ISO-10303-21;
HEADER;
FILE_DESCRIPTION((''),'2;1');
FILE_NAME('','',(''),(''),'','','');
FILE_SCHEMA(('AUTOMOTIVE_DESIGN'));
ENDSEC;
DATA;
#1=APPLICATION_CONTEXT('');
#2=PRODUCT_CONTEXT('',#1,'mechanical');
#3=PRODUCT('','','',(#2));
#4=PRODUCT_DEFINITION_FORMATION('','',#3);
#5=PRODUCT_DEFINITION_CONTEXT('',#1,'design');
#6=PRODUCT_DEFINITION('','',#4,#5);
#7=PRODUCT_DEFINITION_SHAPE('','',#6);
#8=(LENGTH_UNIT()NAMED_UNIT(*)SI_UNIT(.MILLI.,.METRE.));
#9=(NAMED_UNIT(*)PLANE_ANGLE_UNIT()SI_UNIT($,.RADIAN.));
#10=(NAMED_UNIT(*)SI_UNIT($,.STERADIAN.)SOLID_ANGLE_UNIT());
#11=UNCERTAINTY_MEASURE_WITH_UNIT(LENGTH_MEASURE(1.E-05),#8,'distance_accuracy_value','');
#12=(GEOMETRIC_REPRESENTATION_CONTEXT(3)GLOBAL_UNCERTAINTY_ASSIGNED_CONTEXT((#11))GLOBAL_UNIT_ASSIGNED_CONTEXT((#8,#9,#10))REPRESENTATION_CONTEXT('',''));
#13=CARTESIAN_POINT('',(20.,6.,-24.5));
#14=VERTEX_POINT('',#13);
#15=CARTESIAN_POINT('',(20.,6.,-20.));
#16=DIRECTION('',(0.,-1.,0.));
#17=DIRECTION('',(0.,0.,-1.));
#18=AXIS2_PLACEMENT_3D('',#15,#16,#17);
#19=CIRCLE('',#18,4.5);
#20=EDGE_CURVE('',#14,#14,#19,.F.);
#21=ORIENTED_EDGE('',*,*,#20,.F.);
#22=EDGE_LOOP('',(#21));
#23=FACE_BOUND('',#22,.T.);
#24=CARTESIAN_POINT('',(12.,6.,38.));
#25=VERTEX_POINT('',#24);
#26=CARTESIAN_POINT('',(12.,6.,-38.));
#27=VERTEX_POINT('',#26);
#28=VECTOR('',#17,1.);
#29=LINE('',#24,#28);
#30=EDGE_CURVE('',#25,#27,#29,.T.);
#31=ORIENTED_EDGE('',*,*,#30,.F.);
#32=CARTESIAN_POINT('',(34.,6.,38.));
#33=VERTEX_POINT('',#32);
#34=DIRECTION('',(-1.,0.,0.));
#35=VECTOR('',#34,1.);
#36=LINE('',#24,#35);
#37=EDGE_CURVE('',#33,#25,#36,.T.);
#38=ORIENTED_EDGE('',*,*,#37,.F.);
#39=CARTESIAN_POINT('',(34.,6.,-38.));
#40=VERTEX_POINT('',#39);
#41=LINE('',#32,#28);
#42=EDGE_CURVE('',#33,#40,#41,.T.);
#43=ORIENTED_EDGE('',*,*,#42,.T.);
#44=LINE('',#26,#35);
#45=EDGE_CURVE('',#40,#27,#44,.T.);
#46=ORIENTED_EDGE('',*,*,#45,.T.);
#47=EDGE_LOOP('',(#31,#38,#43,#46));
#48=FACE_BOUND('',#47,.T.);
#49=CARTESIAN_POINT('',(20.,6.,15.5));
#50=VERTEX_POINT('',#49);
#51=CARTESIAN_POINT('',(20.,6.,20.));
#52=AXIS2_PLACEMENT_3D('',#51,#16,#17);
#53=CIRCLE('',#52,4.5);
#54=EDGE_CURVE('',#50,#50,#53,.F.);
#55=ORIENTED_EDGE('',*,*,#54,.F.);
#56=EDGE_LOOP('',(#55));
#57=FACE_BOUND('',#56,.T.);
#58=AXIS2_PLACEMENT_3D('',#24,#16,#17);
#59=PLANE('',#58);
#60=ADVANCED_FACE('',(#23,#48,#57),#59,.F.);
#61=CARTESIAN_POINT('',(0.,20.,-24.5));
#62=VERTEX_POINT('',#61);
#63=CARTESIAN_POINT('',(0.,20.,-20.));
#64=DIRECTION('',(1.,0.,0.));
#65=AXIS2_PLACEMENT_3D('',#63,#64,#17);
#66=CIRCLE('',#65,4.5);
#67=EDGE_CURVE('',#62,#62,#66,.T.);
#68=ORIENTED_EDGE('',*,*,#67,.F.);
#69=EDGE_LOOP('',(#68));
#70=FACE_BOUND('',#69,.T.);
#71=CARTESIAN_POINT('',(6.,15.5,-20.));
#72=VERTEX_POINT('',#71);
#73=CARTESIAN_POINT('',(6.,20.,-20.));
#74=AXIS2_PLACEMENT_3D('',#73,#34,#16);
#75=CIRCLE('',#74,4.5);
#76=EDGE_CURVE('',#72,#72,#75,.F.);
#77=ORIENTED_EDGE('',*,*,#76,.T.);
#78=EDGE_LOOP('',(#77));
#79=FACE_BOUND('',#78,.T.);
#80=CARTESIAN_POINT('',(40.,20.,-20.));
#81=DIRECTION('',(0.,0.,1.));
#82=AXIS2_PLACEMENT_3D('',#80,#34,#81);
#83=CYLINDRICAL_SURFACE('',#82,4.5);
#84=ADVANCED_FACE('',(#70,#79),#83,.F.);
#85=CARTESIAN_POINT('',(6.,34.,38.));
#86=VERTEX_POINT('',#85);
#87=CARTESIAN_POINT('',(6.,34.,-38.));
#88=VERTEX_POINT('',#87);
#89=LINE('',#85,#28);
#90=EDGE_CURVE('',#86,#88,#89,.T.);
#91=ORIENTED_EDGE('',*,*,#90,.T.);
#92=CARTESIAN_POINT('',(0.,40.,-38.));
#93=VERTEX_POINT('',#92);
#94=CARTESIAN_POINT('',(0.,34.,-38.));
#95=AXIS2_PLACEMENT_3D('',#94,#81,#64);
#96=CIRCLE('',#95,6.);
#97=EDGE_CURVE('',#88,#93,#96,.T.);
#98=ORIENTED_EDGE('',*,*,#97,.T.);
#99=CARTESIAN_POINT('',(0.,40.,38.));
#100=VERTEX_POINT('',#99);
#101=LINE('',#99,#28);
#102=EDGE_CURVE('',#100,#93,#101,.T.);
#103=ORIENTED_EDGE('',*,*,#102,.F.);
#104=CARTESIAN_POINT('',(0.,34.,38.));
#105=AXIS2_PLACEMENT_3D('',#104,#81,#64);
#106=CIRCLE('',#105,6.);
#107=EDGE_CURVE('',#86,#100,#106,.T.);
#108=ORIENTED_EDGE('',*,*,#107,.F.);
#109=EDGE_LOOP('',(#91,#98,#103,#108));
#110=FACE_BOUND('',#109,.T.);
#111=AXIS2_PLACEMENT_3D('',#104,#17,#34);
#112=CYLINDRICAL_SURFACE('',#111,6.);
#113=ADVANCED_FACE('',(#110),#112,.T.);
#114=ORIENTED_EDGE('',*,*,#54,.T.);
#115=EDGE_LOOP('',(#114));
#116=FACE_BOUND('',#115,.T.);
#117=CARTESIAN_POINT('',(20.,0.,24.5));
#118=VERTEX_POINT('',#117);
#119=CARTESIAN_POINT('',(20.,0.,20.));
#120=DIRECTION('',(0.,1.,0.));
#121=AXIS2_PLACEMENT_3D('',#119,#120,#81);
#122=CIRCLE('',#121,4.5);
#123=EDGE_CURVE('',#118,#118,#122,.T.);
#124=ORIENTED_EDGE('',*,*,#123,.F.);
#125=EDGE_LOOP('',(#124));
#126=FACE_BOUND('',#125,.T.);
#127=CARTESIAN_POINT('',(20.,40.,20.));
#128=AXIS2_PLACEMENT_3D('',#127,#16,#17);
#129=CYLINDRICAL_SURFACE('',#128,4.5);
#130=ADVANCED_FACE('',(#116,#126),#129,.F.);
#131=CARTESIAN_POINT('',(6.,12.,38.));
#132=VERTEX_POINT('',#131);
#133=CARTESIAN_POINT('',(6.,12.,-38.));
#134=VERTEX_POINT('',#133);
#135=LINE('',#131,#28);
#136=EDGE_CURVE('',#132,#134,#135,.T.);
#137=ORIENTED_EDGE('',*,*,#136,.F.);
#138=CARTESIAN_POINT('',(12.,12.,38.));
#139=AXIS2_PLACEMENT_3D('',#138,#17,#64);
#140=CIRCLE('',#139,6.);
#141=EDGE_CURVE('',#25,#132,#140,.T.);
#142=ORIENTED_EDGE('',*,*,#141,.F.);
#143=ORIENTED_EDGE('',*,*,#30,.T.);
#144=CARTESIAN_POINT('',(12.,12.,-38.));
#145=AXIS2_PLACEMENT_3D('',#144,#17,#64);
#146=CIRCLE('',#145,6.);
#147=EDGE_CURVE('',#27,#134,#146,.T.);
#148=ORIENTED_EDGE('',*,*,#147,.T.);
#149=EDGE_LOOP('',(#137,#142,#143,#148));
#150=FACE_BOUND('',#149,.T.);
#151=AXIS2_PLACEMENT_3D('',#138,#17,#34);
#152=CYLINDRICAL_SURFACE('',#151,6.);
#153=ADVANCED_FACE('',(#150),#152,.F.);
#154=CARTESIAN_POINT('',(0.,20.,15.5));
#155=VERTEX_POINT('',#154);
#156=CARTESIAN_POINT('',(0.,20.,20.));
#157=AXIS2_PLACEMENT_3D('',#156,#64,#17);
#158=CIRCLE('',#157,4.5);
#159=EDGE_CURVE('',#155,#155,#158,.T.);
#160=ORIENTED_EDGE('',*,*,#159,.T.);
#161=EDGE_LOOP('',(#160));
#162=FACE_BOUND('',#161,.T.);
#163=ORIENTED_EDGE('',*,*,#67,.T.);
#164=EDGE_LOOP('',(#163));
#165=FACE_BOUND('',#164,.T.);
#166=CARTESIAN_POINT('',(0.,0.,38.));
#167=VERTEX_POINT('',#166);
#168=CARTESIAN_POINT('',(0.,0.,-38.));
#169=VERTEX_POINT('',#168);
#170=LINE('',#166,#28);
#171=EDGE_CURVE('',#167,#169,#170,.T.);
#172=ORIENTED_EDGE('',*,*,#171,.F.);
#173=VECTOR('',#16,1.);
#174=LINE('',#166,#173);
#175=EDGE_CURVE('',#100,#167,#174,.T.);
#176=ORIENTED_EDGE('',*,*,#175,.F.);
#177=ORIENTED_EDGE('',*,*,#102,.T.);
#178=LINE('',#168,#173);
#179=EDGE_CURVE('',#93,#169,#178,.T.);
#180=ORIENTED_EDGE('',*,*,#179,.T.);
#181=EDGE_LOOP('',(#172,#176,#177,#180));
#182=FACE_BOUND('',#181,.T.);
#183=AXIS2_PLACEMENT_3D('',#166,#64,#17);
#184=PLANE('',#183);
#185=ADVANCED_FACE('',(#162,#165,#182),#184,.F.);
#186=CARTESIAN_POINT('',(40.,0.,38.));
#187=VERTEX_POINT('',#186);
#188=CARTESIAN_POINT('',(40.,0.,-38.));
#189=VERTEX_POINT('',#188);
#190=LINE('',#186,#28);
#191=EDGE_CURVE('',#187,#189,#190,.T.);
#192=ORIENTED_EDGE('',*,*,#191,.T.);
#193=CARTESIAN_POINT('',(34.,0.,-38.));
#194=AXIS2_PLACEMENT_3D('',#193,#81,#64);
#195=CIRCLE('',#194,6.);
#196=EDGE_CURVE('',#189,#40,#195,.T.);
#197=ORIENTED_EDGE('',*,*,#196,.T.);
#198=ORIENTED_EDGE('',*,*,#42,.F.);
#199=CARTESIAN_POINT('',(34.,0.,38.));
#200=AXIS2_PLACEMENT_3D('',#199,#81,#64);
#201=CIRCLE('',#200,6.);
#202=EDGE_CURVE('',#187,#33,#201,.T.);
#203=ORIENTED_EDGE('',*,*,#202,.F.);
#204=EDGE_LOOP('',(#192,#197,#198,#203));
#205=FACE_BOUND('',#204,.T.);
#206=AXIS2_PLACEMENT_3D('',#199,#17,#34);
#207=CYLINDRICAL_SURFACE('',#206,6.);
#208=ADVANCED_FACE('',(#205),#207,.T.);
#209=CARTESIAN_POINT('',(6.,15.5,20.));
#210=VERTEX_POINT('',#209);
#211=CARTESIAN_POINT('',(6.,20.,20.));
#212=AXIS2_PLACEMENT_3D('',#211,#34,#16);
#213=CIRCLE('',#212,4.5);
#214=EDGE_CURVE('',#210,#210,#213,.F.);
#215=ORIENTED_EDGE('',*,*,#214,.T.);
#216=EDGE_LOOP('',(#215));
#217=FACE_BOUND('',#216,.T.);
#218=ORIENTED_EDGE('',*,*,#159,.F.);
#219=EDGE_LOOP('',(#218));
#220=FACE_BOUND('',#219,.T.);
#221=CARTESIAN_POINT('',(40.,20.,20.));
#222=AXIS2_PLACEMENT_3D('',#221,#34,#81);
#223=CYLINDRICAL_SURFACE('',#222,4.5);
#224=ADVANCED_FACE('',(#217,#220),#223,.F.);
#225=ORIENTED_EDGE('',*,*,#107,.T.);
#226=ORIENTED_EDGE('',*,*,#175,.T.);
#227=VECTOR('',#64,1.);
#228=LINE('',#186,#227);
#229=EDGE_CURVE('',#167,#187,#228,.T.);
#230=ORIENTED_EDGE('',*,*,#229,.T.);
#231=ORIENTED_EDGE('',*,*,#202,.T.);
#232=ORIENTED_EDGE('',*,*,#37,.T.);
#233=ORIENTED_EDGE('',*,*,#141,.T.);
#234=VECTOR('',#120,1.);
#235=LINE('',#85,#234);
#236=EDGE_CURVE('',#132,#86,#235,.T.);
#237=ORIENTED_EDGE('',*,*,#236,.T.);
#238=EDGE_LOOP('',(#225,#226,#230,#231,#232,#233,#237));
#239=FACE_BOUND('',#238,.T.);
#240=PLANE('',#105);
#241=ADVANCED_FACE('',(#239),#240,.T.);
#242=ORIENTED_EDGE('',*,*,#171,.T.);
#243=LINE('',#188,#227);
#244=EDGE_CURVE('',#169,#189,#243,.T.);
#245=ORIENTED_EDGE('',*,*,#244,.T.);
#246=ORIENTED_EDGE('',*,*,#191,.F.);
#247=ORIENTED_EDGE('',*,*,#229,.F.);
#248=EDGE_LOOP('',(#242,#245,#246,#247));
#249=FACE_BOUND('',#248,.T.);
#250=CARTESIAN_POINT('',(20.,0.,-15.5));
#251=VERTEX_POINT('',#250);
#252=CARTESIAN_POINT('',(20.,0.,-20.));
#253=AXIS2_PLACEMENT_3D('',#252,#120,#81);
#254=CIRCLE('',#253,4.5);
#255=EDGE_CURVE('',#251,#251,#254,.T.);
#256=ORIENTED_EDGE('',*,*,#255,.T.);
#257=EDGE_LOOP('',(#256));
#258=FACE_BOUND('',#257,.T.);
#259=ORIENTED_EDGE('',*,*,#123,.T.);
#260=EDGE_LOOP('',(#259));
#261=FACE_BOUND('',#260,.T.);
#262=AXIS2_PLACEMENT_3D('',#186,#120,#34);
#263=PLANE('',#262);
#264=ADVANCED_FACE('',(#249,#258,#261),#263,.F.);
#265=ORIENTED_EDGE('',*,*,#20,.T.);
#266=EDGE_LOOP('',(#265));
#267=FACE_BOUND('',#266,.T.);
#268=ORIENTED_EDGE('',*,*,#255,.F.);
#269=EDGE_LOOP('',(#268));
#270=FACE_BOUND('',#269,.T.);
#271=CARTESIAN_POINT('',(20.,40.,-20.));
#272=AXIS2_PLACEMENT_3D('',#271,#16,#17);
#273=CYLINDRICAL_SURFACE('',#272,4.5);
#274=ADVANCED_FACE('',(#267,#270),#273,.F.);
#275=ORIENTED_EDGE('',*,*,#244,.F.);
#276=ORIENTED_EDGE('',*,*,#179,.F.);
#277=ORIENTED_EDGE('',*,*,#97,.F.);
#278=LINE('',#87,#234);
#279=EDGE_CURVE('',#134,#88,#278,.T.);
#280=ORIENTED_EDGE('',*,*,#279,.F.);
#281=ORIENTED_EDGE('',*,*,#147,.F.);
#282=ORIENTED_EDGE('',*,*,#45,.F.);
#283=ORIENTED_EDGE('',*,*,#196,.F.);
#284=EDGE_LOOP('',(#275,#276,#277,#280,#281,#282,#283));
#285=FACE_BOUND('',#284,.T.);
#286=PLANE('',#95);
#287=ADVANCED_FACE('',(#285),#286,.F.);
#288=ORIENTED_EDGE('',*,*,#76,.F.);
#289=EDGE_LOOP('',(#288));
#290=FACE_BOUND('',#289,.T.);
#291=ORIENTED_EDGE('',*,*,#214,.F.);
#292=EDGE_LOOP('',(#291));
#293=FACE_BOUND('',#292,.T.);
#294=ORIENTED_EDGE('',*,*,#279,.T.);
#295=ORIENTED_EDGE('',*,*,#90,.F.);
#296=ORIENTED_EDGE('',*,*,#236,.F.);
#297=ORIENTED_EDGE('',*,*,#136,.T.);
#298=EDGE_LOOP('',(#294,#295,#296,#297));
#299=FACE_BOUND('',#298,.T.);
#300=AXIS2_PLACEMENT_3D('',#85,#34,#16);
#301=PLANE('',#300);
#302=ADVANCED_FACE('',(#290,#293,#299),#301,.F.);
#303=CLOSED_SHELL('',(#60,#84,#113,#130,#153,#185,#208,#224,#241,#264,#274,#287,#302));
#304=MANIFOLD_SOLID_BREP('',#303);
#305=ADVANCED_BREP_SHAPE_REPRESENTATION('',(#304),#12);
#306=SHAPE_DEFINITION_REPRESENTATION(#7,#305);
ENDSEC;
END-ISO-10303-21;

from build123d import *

# Parameters (mm, degrees)
BOSS_EXTRUDE1_DEPTH = 38
SKETCH2_R           = 4.5
CUT_EXTRUDE1_DEPTH  = 41
SKETCH3_R           = 4.5
CUT_EXTRUDE2_DEPTH  = 41


with BuildPart() as part:
    # Sketch1 → Boss-Extrude1 (new body, symmetric)
    with BuildSketch(Plane.XY):
        with BuildLine():
            Line((0, 0), (0, 40))
            ThreePointArc((0, 40), (4.242640687, 38.242640687), (6, 34))
            Line((6, 34), (6, 12))
            ThreePointArc((6, 12), (7.757359313, 7.757359313), (12, 6))
            Line((12, 6), (34, 6))
            ThreePointArc((34, 6), (38.242640687, 4.242640687), (40, 0))
            Line((40, 0), (0, 0))
        make_face()
    extrude(amount=BOSS_EXTRUDE1_DEPTH, both=True)

    # Sketch2 → Cut-Extrude1 (cut, through all)
    with BuildSketch(Plane(origin=(0, 0, 0), x_dir=(1, 0, 0), z_dir=(0, 1, 0))):
        with Locations((20, -20)):
            Circle(SKETCH2_R)
        with Locations((20, 20)):
            Circle(SKETCH2_R)
    extrude(amount=CUT_EXTRUDE1_DEPTH, mode=Mode.SUBTRACT)

    # Sketch3 → Cut-Extrude2 (cut, through all)
    with BuildSketch(Plane(origin=(0, 0, 0), x_dir=(0, 0, -1), z_dir=(1, 0, 0))):
        with Locations((-20, 20)):
            Circle(SKETCH3_R)
        with Locations((20, 20)):
            Circle(SKETCH3_R)
    extrude(amount=CUT_EXTRUDE2_DEPTH, mode=Mode.SUBTRACT)


solid = part.part
